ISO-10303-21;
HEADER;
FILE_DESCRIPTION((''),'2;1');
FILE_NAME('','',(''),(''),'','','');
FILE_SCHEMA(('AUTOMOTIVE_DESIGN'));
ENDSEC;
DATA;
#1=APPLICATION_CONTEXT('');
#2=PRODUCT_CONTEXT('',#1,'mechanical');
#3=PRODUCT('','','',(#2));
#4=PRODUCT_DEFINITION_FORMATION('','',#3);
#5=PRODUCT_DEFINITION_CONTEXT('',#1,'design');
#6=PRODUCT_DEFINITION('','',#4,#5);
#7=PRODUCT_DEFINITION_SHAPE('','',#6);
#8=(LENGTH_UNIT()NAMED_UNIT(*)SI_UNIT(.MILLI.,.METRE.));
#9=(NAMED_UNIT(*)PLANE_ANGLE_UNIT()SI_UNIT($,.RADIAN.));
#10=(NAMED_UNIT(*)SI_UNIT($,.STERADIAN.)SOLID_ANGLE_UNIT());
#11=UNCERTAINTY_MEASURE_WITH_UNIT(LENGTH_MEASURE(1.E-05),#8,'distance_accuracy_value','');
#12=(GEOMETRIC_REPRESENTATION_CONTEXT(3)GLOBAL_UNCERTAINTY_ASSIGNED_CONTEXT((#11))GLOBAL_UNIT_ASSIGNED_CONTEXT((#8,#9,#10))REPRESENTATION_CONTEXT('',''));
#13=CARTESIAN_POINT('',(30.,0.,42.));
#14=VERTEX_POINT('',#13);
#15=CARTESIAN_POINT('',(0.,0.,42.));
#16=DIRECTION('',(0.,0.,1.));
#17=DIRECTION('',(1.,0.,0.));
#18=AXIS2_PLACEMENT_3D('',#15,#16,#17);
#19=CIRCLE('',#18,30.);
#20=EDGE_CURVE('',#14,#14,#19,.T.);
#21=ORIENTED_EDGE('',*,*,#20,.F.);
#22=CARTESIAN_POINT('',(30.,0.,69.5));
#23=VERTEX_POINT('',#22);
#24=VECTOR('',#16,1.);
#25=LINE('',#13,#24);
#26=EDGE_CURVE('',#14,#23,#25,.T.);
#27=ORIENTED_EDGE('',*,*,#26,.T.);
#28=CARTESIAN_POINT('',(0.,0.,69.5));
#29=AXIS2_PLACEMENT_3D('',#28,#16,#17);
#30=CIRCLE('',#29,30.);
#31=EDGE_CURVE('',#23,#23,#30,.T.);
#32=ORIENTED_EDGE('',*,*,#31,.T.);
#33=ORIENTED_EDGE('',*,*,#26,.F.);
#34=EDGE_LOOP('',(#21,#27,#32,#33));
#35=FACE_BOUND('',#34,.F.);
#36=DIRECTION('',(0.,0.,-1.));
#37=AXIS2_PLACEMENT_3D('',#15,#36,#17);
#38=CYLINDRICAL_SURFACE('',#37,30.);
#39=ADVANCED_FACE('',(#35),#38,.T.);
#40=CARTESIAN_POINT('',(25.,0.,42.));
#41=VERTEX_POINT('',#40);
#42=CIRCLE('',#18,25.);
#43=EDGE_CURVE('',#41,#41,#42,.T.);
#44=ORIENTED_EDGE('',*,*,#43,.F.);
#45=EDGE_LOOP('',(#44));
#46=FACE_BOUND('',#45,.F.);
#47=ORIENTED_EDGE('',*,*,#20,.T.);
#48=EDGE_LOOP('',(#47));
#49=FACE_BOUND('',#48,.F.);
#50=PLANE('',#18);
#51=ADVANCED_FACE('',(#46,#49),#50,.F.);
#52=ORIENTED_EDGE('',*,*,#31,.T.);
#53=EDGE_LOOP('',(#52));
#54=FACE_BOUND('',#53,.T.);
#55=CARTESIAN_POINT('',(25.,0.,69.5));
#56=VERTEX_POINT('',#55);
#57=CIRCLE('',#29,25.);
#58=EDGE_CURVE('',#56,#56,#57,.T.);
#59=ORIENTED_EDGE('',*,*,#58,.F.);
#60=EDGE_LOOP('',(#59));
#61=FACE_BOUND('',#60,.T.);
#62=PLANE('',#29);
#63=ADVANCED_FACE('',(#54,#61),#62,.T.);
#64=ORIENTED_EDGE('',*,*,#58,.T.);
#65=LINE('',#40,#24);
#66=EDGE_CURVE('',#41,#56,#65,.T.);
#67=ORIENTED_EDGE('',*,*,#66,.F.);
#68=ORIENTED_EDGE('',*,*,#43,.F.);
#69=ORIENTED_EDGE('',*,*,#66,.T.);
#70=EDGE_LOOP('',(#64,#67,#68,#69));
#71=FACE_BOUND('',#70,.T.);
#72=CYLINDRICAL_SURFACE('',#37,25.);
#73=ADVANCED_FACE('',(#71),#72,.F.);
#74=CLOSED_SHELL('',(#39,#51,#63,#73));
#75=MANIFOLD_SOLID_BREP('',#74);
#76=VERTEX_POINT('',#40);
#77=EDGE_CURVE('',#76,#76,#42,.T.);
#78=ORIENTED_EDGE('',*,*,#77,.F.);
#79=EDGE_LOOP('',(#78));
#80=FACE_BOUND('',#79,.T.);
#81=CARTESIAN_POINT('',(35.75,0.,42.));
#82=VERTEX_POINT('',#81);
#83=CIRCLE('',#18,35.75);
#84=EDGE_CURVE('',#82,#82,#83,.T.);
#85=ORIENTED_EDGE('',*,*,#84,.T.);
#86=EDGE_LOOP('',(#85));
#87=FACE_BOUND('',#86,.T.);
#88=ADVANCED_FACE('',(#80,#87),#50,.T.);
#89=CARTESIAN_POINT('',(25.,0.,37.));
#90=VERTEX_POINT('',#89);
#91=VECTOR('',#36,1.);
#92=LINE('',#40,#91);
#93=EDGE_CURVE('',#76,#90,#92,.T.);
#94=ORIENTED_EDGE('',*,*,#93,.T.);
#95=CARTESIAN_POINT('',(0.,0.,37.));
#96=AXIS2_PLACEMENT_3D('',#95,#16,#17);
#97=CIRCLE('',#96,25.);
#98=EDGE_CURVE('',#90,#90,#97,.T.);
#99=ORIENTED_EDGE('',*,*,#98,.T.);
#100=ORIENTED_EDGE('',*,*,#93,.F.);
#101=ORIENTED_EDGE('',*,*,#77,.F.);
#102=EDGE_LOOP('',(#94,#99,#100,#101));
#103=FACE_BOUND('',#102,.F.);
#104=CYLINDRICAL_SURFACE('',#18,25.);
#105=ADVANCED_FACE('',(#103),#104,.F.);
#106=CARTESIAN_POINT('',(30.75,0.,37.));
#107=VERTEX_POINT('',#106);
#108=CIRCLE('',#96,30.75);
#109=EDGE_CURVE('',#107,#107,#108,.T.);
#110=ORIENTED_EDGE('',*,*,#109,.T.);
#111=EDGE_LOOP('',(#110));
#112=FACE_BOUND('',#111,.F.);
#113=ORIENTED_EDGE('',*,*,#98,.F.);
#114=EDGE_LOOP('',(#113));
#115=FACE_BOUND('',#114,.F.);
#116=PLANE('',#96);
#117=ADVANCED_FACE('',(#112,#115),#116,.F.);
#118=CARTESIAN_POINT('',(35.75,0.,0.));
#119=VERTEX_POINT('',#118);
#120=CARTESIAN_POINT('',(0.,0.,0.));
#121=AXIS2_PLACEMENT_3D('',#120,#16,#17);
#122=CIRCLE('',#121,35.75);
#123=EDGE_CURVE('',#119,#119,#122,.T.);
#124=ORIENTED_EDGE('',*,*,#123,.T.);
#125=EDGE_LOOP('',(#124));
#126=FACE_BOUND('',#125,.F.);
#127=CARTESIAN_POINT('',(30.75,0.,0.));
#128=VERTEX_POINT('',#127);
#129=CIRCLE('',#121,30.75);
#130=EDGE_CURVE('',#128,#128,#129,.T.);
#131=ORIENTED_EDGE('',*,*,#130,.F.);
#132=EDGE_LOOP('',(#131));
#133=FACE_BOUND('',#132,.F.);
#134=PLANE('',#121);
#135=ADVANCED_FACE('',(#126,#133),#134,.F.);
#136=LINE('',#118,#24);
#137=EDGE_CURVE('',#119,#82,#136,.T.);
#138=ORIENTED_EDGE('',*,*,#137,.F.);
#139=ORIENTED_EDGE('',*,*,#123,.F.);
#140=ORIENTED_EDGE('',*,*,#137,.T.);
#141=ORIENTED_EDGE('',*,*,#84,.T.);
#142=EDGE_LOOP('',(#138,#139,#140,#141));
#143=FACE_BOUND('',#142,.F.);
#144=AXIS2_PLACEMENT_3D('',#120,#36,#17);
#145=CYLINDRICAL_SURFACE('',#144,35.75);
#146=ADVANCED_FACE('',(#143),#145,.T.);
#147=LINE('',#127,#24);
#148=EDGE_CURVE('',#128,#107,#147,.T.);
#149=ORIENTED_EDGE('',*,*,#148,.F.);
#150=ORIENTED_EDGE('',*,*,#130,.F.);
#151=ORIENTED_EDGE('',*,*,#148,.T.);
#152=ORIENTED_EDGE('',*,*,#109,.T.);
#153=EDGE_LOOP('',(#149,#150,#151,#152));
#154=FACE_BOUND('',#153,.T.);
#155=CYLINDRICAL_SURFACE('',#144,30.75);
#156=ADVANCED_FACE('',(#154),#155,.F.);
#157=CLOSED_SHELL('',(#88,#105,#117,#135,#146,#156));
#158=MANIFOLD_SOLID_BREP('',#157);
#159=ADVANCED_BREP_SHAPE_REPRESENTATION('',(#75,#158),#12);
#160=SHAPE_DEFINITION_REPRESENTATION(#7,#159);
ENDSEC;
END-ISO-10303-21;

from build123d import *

# Parameters (mm, degrees)
F1_R     = 35.75
F2_DEPTH = 42
F0_R     = 30.75
F3_DEPTH = 37
F5_R     = 30
F5_R_2   = 25
F6_DEPTH = 27.5
F4_R     = 25
F7_DEPTH = 25


with BuildPart() as f2:
    # F1 (on Top) → F2 (new body)
    with BuildSketch(Plane.XY):
        Circle(F1_R)
    extrude(amount=F2_DEPTH)

    # F0 (on Top) → F3 (cut)
    with BuildSketch(Plane.XY):
        Circle(F0_R)
    extrude(amount=F3_DEPTH, mode=Mode.SUBTRACT)

    # F4 (on face) → F7 (cut)
    with BuildSketch(Plane.XY.offset(42)):
        Circle(F4_R)
    extrude(amount=-F7_DEPTH, mode=Mode.SUBTRACT)


with BuildPart() as f6:
    # F5 (on face) → F6 (new body)
    with BuildSketch(Plane.XY.offset(42)):
        Circle(F5_R)
        Circle(F5_R_2, mode=Mode.SUBTRACT)
    extrude(amount=F6_DEPTH)


solid = Compound([f2.part, f6.part])
